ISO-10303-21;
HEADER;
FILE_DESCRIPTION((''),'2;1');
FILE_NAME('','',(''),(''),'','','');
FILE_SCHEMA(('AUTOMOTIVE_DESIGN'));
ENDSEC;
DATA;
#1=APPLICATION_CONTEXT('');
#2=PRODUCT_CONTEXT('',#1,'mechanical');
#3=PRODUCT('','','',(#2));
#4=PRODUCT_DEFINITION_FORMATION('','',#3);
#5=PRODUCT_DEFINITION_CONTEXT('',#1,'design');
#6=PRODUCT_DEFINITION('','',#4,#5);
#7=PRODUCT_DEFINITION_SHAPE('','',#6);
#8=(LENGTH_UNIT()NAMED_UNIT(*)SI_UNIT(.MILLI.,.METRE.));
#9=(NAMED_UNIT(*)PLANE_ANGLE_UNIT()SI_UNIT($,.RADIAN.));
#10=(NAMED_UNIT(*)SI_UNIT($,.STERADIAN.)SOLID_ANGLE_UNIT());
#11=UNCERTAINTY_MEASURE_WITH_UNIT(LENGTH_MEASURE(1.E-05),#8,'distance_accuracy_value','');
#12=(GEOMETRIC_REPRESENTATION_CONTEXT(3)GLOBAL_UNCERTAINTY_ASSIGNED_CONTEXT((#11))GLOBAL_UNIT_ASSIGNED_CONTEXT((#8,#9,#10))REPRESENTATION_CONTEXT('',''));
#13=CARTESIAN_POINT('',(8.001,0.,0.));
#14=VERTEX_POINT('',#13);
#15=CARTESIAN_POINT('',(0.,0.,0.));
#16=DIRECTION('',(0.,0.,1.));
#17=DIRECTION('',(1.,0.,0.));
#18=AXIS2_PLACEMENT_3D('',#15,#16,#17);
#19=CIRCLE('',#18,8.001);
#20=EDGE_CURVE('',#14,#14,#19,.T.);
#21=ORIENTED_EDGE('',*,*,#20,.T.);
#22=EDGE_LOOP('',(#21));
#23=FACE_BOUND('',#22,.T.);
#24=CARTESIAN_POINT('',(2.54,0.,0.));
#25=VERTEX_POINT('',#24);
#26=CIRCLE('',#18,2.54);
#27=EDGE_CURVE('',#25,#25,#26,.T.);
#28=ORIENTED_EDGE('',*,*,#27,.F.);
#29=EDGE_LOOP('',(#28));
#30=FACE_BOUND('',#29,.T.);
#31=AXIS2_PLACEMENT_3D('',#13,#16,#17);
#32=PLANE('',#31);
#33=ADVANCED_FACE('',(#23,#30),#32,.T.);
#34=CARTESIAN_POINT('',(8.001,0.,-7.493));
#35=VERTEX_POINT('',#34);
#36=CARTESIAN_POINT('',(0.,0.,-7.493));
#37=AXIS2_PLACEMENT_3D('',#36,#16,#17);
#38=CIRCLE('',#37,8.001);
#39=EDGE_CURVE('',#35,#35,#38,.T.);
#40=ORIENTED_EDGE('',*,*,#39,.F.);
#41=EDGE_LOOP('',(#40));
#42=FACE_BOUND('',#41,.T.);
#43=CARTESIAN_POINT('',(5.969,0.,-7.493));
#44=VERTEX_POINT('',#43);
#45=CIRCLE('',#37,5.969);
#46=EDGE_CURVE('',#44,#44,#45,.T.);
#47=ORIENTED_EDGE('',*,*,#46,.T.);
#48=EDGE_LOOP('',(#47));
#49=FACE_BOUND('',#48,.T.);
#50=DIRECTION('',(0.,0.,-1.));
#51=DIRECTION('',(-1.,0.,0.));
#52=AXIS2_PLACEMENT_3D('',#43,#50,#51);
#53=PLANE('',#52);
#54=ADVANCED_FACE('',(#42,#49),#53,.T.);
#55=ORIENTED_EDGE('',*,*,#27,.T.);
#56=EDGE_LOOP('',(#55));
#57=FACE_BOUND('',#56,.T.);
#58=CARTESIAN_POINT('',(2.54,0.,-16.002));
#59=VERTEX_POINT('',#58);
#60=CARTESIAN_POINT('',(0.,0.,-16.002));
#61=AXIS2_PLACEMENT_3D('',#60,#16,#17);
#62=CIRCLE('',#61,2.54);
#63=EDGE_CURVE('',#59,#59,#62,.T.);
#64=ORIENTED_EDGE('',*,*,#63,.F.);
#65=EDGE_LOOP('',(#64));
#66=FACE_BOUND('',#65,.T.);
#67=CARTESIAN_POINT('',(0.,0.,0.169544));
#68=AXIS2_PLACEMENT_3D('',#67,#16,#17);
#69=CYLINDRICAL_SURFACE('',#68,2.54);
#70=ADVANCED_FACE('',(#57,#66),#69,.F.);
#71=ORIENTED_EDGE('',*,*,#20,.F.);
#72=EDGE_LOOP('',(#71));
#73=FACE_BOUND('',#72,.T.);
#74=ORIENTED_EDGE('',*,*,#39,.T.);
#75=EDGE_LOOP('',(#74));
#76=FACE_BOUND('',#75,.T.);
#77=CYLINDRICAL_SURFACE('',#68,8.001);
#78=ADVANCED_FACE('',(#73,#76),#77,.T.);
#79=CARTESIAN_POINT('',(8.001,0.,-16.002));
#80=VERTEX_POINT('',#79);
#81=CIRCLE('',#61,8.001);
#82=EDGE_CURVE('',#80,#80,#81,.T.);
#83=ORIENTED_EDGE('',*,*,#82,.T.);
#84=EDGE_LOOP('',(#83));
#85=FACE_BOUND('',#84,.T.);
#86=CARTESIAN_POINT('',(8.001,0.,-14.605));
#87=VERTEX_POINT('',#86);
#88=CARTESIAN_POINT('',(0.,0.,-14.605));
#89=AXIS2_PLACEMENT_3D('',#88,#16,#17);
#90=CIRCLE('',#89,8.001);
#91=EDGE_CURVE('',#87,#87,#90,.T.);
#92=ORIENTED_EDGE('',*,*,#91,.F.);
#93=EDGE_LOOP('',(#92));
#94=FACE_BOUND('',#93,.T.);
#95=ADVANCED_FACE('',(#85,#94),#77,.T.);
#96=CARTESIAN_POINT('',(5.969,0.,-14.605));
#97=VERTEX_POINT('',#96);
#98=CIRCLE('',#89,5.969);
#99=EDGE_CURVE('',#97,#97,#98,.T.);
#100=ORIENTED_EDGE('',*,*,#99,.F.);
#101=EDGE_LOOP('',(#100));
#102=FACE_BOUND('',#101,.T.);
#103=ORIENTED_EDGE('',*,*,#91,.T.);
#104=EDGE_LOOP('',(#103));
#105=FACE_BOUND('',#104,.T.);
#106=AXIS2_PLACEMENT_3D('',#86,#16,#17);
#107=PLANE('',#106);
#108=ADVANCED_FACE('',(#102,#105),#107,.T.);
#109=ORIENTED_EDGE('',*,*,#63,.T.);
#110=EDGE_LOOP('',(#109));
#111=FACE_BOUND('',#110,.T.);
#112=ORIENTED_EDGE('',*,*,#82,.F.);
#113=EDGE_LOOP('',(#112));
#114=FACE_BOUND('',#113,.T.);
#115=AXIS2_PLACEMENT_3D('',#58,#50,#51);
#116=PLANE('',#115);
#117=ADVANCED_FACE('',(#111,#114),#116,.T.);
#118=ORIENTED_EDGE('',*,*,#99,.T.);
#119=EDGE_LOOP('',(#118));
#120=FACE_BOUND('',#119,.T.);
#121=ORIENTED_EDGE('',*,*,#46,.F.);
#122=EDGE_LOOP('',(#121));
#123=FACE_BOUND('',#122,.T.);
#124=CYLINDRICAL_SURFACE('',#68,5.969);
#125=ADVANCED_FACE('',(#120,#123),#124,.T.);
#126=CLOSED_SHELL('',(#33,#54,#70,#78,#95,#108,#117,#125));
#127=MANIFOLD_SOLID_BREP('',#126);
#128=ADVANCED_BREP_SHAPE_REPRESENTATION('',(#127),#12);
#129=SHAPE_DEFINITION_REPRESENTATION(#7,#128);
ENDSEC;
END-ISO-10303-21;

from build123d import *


with BuildPart() as part:
    # Sketch2 → Revolve1 (revolve)
    with BuildSketch(Plane(origin=(0, 0, 0), x_dir=(1, 0, 0), z_dir=(0, 1, 0))):
        Polygon((2.54, 0), (2.54, 16.002), (8.001, 16.002), (8.001, 14.605), (5.969, 14.605), (5.969, 7.493), (8.001, 7.493), (8.001, 0), align=None)
    revolve(axis=Axis((0, 0, 0.169544175), (0, 0, -1)))


solid = part.part
